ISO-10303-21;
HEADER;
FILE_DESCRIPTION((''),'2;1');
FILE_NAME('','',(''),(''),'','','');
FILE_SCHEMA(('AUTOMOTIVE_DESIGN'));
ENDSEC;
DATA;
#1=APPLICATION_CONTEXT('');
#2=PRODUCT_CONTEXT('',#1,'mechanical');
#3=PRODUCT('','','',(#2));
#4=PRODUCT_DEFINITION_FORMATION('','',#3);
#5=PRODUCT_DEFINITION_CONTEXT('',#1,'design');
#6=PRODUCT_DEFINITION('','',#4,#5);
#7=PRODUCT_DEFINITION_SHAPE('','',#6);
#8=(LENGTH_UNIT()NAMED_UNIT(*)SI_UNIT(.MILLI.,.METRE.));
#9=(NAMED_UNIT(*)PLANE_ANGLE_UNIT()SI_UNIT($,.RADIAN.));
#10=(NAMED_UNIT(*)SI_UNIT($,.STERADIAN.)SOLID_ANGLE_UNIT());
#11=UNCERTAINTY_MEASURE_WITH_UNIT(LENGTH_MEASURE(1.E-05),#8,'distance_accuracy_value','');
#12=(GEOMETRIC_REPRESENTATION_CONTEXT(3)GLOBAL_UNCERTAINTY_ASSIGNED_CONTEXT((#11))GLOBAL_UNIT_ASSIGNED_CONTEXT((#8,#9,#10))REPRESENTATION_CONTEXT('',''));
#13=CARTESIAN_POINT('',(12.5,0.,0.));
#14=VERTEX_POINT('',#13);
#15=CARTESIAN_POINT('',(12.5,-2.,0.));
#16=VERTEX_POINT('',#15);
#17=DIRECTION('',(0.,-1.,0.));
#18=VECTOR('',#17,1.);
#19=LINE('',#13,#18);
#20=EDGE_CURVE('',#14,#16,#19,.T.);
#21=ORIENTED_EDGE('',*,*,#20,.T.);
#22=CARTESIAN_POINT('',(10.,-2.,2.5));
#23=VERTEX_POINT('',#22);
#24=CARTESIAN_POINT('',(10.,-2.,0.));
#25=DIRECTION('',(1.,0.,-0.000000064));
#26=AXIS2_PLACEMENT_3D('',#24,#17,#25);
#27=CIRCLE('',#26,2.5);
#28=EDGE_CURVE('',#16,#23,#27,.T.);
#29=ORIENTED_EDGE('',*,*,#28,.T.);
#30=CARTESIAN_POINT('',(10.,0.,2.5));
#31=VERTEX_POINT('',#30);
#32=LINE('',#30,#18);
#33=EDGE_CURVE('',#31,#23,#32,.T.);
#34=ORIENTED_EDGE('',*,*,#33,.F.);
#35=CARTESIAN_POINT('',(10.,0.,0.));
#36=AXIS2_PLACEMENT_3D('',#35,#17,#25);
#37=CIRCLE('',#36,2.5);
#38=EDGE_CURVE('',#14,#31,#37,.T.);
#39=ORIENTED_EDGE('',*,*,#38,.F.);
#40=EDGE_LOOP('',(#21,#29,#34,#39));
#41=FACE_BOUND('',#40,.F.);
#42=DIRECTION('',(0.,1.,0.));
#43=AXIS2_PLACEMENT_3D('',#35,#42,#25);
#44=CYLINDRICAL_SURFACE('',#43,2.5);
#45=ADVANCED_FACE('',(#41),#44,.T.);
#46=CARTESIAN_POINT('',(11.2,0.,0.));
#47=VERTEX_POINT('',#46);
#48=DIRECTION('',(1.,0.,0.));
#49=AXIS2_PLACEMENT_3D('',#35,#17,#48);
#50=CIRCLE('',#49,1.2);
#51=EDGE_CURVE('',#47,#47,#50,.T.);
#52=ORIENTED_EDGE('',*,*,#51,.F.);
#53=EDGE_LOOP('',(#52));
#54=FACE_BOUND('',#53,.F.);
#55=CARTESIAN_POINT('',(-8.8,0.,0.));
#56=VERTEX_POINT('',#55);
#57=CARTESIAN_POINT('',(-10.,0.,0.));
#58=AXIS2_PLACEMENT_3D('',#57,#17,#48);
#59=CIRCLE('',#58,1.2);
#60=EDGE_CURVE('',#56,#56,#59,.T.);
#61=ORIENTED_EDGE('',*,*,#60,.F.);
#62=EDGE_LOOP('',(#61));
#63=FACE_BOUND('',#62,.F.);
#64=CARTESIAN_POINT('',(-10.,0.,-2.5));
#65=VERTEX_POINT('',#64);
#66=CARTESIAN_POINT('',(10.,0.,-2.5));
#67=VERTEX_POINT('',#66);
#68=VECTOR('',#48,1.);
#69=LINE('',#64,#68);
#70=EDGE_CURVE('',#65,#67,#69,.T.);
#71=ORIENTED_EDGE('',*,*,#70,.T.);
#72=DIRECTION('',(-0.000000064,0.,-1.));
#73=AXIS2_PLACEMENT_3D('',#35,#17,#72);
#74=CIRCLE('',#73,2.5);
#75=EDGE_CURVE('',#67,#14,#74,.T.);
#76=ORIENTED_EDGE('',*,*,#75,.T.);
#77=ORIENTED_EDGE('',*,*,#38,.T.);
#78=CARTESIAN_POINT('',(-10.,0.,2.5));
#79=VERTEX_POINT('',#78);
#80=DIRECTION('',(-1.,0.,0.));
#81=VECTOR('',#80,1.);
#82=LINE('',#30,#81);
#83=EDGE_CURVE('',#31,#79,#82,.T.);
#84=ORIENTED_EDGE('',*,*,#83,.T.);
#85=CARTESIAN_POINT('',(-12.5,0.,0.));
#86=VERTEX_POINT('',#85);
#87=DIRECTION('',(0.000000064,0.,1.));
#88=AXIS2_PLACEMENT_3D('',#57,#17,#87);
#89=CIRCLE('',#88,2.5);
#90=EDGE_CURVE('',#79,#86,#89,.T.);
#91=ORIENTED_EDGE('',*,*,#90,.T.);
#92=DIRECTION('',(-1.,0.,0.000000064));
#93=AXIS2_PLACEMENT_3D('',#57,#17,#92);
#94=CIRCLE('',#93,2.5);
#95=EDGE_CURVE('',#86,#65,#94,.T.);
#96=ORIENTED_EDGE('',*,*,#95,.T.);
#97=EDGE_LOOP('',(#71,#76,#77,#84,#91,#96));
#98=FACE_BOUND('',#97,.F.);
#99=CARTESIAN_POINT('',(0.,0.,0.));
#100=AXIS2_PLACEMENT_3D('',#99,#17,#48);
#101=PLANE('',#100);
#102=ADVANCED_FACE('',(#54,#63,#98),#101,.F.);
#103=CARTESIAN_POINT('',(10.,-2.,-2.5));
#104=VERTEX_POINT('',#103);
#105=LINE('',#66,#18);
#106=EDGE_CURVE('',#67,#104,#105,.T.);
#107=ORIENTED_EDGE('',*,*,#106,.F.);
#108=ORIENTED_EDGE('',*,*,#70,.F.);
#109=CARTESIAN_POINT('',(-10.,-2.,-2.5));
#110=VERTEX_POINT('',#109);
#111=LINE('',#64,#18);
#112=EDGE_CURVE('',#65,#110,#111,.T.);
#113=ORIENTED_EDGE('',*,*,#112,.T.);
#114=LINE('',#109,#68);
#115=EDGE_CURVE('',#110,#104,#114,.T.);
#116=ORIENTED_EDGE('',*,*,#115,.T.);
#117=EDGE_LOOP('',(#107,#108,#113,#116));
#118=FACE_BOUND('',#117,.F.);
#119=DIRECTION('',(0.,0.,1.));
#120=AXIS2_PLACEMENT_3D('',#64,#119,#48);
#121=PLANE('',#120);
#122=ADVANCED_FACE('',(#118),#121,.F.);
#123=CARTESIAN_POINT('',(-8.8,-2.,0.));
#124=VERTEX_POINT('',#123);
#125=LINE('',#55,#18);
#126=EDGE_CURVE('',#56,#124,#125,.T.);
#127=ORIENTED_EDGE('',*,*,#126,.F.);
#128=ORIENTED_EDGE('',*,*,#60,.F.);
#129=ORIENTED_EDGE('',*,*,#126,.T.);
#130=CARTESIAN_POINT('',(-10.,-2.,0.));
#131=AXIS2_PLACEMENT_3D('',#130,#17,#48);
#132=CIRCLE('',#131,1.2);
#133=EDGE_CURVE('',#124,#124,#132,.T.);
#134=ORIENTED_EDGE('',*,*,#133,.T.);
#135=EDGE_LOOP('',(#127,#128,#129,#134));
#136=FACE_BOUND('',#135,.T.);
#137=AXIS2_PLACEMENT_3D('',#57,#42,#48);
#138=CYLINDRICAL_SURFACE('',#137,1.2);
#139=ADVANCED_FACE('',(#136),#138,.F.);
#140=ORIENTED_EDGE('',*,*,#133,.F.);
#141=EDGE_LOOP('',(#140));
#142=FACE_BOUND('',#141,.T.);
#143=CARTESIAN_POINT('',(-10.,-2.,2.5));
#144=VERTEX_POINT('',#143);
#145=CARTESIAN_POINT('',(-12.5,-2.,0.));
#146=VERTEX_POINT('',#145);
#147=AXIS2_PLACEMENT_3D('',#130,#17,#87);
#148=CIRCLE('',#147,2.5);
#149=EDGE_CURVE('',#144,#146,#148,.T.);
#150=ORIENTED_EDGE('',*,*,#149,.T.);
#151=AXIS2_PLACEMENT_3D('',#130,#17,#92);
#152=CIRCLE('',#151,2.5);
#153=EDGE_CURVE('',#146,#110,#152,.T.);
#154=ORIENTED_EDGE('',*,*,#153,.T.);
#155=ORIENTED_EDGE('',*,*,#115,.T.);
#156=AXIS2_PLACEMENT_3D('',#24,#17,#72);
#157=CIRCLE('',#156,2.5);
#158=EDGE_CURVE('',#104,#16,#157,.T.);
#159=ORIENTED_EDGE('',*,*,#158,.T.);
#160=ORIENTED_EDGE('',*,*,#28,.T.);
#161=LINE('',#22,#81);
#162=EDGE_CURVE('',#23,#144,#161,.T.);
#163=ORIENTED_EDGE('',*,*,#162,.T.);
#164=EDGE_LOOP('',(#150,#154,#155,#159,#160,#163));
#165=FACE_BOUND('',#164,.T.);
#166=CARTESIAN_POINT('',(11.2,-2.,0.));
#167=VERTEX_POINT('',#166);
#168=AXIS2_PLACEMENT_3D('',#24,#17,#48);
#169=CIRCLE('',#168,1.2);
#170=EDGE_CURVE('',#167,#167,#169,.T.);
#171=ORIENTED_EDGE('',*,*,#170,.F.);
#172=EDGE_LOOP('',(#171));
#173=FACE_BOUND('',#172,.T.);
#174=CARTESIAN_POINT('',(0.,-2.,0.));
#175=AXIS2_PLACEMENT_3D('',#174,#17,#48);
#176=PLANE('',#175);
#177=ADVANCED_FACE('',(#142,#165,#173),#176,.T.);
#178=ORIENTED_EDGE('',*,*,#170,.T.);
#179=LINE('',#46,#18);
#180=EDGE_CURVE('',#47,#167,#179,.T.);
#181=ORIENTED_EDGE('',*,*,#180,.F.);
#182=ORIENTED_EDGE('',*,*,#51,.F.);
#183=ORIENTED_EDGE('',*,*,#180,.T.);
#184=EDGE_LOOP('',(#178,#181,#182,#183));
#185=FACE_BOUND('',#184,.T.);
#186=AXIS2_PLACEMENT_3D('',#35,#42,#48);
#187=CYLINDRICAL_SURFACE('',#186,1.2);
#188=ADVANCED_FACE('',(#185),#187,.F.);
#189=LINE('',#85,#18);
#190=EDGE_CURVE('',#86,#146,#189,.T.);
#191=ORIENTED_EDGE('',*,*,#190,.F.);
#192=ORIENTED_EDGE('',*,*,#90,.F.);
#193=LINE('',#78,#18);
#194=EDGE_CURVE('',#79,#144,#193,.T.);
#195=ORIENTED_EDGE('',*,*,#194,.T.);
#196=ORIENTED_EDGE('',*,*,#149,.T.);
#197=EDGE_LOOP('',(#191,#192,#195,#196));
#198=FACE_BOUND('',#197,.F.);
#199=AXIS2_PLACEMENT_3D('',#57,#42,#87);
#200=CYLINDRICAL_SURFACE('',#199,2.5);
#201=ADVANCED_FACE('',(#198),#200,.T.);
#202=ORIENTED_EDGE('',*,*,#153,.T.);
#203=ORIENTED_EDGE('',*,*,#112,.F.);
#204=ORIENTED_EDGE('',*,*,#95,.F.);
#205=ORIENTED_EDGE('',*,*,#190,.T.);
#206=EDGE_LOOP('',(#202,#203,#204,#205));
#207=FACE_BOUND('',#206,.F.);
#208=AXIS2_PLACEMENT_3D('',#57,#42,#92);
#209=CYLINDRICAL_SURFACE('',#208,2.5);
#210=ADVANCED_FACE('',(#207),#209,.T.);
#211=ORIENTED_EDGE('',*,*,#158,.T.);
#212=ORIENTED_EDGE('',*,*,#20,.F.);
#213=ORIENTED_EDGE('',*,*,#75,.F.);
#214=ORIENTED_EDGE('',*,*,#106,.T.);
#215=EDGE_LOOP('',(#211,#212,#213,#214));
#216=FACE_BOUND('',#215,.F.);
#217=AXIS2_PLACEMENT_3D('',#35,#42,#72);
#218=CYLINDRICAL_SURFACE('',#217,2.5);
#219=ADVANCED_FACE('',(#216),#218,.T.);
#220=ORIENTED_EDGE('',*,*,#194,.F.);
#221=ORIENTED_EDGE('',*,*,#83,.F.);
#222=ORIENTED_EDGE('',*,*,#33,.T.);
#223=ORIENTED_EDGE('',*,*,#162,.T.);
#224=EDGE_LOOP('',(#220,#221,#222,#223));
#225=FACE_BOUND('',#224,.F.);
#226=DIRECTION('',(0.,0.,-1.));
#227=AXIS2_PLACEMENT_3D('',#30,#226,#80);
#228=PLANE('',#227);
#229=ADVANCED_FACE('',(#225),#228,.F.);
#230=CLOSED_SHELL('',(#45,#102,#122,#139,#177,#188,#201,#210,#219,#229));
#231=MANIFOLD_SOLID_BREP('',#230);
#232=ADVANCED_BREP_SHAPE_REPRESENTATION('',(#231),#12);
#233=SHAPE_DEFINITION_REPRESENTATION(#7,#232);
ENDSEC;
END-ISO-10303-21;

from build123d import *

# Parameters (mm, degrees)
F0_R     = 1.2
F1_DEPTH = 2


with BuildPart() as f1:
    # F0 (on Front) → F1 (new body)
    with BuildSketch(Plane.XZ):
        with BuildLine():
            Line((0, 2.5), (-10, 2.5))
            ThreePointArc((-10, 2.5), (-11.767767, 1.767767), (-12.5, 0))
            ThreePointArc((-12.5, 0), (-11.767767, -1.767767), (-10, -2.5))
            Line((-10, -2.5), (0, -2.5))
            Line((0, -2.5), (10, -2.5))
            ThreePointArc((10, -2.5), (11.767767, -1.767767), (12.5, 0))
            ThreePointArc((12.5, 0), (11.767767, 1.767767), (10, 2.5))
            Line((10, 2.5), (0, 2.5))
        make_face()
        with Locations((-10, 0)):
            Circle(F0_R, mode=Mode.SUBTRACT)
        with Locations((10, 0)):
            Circle(F0_R, mode=Mode.SUBTRACT)
    extrude(amount=F1_DEPTH)


solid = f1.part
